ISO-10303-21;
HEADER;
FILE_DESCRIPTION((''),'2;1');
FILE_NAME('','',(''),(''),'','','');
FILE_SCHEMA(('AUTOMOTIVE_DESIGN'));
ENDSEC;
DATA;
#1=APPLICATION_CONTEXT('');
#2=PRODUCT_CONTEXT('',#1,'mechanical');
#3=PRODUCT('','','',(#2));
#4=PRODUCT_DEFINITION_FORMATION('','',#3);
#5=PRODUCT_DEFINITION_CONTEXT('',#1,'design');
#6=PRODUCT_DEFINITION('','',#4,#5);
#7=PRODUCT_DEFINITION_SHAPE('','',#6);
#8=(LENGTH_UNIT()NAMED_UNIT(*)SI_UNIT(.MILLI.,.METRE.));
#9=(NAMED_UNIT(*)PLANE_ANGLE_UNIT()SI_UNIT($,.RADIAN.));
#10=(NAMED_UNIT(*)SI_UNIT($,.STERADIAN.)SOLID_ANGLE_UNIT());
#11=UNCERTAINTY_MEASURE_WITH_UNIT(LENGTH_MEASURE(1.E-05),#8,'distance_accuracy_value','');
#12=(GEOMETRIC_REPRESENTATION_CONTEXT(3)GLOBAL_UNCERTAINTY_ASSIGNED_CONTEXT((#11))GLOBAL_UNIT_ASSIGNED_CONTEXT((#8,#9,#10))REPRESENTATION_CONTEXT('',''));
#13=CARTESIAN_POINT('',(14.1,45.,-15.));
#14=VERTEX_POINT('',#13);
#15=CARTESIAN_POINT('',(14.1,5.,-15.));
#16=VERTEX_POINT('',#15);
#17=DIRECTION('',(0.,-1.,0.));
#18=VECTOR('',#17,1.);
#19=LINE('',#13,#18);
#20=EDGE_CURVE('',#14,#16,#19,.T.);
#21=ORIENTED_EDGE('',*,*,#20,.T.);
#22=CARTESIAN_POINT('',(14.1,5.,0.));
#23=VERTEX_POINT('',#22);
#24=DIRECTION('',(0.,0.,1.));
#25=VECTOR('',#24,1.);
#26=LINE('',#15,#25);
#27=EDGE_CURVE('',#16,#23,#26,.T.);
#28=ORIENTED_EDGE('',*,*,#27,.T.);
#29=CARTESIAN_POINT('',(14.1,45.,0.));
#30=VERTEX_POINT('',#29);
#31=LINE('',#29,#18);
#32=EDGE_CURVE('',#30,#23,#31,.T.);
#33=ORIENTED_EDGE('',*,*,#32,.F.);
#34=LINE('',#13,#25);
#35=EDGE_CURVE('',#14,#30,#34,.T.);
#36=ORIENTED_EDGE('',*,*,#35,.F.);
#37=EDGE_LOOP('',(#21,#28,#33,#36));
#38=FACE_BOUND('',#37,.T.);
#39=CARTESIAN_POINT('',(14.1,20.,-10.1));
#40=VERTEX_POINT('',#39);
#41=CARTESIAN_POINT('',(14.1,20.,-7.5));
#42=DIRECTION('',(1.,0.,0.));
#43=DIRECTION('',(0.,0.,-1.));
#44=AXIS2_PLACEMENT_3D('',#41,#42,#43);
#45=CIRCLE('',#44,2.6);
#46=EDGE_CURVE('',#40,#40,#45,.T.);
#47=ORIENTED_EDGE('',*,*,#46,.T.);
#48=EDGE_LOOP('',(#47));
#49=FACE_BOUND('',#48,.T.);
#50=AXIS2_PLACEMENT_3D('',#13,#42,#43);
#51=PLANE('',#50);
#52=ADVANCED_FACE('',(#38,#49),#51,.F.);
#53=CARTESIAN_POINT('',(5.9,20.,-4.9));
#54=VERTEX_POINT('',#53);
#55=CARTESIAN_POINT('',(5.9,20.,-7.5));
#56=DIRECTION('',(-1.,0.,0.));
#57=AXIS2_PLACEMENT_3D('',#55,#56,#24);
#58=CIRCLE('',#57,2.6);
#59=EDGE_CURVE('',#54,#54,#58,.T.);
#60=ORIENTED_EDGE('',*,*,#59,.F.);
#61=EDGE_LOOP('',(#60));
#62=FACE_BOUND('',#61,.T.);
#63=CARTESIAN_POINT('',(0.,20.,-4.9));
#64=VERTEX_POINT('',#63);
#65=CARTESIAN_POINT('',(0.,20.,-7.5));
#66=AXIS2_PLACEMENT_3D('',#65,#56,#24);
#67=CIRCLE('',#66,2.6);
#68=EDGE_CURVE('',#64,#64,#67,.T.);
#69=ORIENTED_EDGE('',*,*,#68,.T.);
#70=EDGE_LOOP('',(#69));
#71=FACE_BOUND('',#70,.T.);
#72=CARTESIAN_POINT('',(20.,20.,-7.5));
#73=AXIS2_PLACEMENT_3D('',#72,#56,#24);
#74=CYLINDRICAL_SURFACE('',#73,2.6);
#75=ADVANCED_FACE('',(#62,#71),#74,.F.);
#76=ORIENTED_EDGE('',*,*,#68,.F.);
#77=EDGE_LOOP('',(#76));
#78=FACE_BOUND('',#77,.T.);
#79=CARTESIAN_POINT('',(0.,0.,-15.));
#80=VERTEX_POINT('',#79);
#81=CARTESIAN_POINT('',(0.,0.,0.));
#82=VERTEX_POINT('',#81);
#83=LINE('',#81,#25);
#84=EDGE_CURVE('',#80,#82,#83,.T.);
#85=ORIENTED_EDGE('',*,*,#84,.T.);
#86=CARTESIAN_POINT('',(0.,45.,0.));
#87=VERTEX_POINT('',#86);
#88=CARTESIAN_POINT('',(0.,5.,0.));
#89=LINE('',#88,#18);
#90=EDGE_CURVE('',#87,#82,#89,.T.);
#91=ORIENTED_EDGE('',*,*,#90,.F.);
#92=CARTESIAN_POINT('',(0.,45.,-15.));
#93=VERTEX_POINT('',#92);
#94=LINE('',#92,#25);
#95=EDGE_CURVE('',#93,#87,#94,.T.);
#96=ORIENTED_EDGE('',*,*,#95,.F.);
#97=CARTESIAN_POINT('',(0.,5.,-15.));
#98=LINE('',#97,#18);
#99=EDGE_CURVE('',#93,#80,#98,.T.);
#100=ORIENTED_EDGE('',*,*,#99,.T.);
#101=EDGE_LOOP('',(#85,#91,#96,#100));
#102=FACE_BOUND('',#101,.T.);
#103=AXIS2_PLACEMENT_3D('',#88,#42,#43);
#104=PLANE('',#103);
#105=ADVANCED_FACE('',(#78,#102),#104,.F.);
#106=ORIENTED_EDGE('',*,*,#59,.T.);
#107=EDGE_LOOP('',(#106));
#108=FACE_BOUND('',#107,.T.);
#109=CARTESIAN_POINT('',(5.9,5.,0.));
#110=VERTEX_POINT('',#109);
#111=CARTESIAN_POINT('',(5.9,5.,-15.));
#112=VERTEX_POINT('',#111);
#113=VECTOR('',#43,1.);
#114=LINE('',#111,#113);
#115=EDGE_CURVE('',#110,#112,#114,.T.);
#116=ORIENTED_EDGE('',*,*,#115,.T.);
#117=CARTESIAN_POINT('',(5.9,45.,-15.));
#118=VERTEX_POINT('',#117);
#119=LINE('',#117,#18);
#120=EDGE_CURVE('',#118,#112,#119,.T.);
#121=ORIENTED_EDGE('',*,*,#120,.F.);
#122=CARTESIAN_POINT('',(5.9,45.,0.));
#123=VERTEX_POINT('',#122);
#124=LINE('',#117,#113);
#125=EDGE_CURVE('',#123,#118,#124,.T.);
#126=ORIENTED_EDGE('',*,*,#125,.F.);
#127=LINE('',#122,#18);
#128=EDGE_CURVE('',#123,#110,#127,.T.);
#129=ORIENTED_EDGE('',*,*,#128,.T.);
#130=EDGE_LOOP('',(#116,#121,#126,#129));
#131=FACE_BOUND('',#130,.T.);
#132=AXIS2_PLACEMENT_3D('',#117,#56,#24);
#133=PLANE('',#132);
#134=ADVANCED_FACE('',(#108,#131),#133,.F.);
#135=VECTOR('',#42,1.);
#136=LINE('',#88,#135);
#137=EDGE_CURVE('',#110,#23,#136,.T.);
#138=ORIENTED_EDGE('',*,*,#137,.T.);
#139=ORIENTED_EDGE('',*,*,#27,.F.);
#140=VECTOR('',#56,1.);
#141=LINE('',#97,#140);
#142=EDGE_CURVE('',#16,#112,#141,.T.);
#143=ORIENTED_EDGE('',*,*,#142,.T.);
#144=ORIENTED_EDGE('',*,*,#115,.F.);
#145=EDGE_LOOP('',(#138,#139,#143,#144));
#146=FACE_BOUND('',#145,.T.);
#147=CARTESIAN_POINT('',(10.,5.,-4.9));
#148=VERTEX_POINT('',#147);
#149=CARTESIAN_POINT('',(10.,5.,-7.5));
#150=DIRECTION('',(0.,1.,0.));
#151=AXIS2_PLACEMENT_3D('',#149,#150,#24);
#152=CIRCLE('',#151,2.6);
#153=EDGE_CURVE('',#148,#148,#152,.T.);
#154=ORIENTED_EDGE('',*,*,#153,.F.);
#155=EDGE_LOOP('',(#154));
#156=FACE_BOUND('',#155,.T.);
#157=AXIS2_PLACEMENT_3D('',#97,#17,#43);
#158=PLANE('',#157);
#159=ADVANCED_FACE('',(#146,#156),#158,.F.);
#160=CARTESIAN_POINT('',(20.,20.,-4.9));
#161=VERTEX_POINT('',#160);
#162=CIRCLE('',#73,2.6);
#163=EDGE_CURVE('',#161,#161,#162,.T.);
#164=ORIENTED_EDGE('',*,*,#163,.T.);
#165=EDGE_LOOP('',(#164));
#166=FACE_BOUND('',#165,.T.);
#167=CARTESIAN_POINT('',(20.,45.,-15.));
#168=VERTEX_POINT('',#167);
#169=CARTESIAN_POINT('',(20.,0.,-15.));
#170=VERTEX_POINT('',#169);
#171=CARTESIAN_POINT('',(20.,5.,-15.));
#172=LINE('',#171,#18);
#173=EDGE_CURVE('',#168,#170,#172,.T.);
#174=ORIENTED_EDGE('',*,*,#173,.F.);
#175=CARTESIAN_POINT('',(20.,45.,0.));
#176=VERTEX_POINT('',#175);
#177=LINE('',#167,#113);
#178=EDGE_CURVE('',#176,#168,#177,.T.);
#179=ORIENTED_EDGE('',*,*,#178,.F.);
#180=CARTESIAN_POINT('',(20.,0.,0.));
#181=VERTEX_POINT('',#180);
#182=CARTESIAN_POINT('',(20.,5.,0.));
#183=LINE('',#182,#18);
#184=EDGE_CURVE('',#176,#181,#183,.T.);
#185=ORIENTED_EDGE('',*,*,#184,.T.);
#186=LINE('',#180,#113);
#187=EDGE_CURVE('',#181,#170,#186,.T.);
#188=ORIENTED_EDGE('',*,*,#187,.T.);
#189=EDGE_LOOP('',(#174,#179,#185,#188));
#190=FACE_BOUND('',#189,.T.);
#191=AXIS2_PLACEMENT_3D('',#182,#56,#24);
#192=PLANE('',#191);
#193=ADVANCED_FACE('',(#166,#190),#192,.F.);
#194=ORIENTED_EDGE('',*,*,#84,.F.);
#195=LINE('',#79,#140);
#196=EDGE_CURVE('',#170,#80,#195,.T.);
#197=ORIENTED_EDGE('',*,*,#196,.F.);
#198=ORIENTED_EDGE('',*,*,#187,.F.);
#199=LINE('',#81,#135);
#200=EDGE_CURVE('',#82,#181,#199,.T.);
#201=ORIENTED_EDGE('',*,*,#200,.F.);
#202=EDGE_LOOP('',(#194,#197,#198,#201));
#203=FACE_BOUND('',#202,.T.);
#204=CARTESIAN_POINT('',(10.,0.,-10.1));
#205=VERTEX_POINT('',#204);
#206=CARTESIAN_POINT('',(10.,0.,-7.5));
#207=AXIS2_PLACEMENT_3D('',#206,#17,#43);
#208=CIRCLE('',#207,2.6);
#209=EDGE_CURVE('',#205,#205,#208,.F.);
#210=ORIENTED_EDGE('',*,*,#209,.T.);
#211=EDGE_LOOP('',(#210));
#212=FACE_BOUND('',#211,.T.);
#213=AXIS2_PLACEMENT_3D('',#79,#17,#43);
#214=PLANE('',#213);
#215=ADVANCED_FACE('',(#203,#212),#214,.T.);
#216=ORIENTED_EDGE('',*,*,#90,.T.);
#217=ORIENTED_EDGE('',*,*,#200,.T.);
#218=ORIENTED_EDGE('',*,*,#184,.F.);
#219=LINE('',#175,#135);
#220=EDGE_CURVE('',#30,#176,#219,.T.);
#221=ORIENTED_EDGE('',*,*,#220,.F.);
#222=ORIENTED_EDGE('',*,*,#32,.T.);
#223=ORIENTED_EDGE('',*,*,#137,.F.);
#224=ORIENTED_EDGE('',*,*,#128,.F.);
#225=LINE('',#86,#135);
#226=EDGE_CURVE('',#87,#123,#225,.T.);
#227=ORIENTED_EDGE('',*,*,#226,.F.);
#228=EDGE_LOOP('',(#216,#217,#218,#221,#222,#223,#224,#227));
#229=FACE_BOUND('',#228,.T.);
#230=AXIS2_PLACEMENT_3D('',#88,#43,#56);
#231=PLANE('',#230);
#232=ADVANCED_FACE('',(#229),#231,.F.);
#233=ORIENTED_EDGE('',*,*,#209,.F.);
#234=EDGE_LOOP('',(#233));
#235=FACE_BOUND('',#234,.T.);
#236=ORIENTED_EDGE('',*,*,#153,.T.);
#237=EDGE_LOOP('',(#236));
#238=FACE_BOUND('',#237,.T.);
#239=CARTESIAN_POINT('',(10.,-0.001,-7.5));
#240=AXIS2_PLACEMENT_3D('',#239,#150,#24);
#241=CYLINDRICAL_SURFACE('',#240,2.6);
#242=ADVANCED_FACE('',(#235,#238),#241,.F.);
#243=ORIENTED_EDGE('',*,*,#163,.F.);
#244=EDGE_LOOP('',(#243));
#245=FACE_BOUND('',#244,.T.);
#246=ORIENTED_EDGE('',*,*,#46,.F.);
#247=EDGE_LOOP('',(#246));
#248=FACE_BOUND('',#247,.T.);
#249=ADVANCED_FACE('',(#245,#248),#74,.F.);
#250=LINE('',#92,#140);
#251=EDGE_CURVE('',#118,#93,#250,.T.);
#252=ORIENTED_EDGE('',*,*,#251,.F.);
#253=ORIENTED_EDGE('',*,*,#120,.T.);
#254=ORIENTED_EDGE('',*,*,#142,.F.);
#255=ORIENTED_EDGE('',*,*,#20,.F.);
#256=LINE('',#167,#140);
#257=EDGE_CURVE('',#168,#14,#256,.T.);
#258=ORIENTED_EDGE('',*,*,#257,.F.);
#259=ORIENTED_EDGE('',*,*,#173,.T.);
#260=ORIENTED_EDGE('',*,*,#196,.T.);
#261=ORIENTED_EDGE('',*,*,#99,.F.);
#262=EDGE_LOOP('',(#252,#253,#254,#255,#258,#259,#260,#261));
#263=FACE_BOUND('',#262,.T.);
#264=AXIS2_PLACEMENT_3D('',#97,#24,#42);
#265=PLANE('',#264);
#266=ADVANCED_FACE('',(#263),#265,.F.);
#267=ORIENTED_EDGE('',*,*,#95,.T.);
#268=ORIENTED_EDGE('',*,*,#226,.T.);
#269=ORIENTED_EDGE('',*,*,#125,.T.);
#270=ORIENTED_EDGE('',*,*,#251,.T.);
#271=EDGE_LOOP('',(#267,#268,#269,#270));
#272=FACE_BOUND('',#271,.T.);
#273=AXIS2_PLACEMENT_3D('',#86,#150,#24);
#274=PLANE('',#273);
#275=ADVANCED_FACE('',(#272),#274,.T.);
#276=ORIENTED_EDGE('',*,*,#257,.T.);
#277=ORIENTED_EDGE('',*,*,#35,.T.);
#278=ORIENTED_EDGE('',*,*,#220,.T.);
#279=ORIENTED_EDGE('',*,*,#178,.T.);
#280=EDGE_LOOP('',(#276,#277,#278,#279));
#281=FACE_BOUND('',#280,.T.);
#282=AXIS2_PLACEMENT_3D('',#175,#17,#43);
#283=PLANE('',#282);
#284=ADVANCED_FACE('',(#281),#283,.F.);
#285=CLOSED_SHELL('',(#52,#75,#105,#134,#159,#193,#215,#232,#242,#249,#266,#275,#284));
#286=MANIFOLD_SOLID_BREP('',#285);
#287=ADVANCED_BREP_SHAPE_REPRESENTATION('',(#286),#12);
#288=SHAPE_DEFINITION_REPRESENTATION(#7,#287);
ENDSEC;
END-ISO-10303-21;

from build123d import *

# Parameters (mm, degrees)
SKETCH_5_W          = 20
SKETCH_5_H          = 15
EXTRUDE_5_DEPTH     = 5
CUT_EXTRUDE_6_REACH = 27.495
SKETCH_6_R          = 2.6
SKETCH_7_W          = 5.9
SKETCH_7_H          = 15
EXTRUDE_7_DEPTH     = 40
SKETCH_8_R          = 2.6
CUT_EXTRUDE_8_DEPTH = 52.478150705


with BuildPart() as part:
    # Эскиз5 → Вытянуть5 (new body)
    with BuildSketch(Plane(origin=(0, 0, 0), x_dir=(1, 0, 0), z_dir=(0, 1, 0))):
        with Locations((10, 7.5)):
            Rectangle(SKETCH_5_W, SKETCH_5_H)
    extrude(amount=EXTRUDE_5_DEPTH)

    # Эскиз6 → Вытянуть6 (cut, up to next)
    with BuildSketch(Plane(origin=(0, 5, 0), x_dir=(1, 0, 0), z_dir=(0, 1, 0)), mode=Mode.PRIVATE) as cut_extrude_6_sk1:
        with Locations(Location((10, 7.5, 0), (0, 0, 270))):
            Circle(SKETCH_6_R)
    cut_extrude_6_tool1 = extrude(cut_extrude_6_sk1.sketch, amount=-CUT_EXTRUDE_6_REACH, mode=Mode.PRIVATE) & part.part
    add(cut_extrude_6_tool1.solids().sort_by_distance((10, 5, -7.5))[0], mode=Mode.SUBTRACT)

    # Эскиз7 → Вытянуть7 (add)
    with BuildSketch(Plane(origin=(0, 5, 0), x_dir=(1, 0, 0), z_dir=(0, 1, 0))):
        with Locations((2.95, 7.5)):
            Rectangle(SKETCH_7_W, SKETCH_7_H)
        with Locations((17.05, 7.5)):
            Rectangle(SKETCH_7_W, SKETCH_7_H)
    extrude(amount=EXTRUDE_7_DEPTH)

    # Эскиз8 → Вытянуть8 (cut, through all)
    with BuildSketch(Plane.ZY):
        with Locations((-7.5, 20)):
            Circle(SKETCH_8_R)
    extrude(amount=-CUT_EXTRUDE_8_DEPTH, mode=Mode.SUBTRACT)


solid = part.part
